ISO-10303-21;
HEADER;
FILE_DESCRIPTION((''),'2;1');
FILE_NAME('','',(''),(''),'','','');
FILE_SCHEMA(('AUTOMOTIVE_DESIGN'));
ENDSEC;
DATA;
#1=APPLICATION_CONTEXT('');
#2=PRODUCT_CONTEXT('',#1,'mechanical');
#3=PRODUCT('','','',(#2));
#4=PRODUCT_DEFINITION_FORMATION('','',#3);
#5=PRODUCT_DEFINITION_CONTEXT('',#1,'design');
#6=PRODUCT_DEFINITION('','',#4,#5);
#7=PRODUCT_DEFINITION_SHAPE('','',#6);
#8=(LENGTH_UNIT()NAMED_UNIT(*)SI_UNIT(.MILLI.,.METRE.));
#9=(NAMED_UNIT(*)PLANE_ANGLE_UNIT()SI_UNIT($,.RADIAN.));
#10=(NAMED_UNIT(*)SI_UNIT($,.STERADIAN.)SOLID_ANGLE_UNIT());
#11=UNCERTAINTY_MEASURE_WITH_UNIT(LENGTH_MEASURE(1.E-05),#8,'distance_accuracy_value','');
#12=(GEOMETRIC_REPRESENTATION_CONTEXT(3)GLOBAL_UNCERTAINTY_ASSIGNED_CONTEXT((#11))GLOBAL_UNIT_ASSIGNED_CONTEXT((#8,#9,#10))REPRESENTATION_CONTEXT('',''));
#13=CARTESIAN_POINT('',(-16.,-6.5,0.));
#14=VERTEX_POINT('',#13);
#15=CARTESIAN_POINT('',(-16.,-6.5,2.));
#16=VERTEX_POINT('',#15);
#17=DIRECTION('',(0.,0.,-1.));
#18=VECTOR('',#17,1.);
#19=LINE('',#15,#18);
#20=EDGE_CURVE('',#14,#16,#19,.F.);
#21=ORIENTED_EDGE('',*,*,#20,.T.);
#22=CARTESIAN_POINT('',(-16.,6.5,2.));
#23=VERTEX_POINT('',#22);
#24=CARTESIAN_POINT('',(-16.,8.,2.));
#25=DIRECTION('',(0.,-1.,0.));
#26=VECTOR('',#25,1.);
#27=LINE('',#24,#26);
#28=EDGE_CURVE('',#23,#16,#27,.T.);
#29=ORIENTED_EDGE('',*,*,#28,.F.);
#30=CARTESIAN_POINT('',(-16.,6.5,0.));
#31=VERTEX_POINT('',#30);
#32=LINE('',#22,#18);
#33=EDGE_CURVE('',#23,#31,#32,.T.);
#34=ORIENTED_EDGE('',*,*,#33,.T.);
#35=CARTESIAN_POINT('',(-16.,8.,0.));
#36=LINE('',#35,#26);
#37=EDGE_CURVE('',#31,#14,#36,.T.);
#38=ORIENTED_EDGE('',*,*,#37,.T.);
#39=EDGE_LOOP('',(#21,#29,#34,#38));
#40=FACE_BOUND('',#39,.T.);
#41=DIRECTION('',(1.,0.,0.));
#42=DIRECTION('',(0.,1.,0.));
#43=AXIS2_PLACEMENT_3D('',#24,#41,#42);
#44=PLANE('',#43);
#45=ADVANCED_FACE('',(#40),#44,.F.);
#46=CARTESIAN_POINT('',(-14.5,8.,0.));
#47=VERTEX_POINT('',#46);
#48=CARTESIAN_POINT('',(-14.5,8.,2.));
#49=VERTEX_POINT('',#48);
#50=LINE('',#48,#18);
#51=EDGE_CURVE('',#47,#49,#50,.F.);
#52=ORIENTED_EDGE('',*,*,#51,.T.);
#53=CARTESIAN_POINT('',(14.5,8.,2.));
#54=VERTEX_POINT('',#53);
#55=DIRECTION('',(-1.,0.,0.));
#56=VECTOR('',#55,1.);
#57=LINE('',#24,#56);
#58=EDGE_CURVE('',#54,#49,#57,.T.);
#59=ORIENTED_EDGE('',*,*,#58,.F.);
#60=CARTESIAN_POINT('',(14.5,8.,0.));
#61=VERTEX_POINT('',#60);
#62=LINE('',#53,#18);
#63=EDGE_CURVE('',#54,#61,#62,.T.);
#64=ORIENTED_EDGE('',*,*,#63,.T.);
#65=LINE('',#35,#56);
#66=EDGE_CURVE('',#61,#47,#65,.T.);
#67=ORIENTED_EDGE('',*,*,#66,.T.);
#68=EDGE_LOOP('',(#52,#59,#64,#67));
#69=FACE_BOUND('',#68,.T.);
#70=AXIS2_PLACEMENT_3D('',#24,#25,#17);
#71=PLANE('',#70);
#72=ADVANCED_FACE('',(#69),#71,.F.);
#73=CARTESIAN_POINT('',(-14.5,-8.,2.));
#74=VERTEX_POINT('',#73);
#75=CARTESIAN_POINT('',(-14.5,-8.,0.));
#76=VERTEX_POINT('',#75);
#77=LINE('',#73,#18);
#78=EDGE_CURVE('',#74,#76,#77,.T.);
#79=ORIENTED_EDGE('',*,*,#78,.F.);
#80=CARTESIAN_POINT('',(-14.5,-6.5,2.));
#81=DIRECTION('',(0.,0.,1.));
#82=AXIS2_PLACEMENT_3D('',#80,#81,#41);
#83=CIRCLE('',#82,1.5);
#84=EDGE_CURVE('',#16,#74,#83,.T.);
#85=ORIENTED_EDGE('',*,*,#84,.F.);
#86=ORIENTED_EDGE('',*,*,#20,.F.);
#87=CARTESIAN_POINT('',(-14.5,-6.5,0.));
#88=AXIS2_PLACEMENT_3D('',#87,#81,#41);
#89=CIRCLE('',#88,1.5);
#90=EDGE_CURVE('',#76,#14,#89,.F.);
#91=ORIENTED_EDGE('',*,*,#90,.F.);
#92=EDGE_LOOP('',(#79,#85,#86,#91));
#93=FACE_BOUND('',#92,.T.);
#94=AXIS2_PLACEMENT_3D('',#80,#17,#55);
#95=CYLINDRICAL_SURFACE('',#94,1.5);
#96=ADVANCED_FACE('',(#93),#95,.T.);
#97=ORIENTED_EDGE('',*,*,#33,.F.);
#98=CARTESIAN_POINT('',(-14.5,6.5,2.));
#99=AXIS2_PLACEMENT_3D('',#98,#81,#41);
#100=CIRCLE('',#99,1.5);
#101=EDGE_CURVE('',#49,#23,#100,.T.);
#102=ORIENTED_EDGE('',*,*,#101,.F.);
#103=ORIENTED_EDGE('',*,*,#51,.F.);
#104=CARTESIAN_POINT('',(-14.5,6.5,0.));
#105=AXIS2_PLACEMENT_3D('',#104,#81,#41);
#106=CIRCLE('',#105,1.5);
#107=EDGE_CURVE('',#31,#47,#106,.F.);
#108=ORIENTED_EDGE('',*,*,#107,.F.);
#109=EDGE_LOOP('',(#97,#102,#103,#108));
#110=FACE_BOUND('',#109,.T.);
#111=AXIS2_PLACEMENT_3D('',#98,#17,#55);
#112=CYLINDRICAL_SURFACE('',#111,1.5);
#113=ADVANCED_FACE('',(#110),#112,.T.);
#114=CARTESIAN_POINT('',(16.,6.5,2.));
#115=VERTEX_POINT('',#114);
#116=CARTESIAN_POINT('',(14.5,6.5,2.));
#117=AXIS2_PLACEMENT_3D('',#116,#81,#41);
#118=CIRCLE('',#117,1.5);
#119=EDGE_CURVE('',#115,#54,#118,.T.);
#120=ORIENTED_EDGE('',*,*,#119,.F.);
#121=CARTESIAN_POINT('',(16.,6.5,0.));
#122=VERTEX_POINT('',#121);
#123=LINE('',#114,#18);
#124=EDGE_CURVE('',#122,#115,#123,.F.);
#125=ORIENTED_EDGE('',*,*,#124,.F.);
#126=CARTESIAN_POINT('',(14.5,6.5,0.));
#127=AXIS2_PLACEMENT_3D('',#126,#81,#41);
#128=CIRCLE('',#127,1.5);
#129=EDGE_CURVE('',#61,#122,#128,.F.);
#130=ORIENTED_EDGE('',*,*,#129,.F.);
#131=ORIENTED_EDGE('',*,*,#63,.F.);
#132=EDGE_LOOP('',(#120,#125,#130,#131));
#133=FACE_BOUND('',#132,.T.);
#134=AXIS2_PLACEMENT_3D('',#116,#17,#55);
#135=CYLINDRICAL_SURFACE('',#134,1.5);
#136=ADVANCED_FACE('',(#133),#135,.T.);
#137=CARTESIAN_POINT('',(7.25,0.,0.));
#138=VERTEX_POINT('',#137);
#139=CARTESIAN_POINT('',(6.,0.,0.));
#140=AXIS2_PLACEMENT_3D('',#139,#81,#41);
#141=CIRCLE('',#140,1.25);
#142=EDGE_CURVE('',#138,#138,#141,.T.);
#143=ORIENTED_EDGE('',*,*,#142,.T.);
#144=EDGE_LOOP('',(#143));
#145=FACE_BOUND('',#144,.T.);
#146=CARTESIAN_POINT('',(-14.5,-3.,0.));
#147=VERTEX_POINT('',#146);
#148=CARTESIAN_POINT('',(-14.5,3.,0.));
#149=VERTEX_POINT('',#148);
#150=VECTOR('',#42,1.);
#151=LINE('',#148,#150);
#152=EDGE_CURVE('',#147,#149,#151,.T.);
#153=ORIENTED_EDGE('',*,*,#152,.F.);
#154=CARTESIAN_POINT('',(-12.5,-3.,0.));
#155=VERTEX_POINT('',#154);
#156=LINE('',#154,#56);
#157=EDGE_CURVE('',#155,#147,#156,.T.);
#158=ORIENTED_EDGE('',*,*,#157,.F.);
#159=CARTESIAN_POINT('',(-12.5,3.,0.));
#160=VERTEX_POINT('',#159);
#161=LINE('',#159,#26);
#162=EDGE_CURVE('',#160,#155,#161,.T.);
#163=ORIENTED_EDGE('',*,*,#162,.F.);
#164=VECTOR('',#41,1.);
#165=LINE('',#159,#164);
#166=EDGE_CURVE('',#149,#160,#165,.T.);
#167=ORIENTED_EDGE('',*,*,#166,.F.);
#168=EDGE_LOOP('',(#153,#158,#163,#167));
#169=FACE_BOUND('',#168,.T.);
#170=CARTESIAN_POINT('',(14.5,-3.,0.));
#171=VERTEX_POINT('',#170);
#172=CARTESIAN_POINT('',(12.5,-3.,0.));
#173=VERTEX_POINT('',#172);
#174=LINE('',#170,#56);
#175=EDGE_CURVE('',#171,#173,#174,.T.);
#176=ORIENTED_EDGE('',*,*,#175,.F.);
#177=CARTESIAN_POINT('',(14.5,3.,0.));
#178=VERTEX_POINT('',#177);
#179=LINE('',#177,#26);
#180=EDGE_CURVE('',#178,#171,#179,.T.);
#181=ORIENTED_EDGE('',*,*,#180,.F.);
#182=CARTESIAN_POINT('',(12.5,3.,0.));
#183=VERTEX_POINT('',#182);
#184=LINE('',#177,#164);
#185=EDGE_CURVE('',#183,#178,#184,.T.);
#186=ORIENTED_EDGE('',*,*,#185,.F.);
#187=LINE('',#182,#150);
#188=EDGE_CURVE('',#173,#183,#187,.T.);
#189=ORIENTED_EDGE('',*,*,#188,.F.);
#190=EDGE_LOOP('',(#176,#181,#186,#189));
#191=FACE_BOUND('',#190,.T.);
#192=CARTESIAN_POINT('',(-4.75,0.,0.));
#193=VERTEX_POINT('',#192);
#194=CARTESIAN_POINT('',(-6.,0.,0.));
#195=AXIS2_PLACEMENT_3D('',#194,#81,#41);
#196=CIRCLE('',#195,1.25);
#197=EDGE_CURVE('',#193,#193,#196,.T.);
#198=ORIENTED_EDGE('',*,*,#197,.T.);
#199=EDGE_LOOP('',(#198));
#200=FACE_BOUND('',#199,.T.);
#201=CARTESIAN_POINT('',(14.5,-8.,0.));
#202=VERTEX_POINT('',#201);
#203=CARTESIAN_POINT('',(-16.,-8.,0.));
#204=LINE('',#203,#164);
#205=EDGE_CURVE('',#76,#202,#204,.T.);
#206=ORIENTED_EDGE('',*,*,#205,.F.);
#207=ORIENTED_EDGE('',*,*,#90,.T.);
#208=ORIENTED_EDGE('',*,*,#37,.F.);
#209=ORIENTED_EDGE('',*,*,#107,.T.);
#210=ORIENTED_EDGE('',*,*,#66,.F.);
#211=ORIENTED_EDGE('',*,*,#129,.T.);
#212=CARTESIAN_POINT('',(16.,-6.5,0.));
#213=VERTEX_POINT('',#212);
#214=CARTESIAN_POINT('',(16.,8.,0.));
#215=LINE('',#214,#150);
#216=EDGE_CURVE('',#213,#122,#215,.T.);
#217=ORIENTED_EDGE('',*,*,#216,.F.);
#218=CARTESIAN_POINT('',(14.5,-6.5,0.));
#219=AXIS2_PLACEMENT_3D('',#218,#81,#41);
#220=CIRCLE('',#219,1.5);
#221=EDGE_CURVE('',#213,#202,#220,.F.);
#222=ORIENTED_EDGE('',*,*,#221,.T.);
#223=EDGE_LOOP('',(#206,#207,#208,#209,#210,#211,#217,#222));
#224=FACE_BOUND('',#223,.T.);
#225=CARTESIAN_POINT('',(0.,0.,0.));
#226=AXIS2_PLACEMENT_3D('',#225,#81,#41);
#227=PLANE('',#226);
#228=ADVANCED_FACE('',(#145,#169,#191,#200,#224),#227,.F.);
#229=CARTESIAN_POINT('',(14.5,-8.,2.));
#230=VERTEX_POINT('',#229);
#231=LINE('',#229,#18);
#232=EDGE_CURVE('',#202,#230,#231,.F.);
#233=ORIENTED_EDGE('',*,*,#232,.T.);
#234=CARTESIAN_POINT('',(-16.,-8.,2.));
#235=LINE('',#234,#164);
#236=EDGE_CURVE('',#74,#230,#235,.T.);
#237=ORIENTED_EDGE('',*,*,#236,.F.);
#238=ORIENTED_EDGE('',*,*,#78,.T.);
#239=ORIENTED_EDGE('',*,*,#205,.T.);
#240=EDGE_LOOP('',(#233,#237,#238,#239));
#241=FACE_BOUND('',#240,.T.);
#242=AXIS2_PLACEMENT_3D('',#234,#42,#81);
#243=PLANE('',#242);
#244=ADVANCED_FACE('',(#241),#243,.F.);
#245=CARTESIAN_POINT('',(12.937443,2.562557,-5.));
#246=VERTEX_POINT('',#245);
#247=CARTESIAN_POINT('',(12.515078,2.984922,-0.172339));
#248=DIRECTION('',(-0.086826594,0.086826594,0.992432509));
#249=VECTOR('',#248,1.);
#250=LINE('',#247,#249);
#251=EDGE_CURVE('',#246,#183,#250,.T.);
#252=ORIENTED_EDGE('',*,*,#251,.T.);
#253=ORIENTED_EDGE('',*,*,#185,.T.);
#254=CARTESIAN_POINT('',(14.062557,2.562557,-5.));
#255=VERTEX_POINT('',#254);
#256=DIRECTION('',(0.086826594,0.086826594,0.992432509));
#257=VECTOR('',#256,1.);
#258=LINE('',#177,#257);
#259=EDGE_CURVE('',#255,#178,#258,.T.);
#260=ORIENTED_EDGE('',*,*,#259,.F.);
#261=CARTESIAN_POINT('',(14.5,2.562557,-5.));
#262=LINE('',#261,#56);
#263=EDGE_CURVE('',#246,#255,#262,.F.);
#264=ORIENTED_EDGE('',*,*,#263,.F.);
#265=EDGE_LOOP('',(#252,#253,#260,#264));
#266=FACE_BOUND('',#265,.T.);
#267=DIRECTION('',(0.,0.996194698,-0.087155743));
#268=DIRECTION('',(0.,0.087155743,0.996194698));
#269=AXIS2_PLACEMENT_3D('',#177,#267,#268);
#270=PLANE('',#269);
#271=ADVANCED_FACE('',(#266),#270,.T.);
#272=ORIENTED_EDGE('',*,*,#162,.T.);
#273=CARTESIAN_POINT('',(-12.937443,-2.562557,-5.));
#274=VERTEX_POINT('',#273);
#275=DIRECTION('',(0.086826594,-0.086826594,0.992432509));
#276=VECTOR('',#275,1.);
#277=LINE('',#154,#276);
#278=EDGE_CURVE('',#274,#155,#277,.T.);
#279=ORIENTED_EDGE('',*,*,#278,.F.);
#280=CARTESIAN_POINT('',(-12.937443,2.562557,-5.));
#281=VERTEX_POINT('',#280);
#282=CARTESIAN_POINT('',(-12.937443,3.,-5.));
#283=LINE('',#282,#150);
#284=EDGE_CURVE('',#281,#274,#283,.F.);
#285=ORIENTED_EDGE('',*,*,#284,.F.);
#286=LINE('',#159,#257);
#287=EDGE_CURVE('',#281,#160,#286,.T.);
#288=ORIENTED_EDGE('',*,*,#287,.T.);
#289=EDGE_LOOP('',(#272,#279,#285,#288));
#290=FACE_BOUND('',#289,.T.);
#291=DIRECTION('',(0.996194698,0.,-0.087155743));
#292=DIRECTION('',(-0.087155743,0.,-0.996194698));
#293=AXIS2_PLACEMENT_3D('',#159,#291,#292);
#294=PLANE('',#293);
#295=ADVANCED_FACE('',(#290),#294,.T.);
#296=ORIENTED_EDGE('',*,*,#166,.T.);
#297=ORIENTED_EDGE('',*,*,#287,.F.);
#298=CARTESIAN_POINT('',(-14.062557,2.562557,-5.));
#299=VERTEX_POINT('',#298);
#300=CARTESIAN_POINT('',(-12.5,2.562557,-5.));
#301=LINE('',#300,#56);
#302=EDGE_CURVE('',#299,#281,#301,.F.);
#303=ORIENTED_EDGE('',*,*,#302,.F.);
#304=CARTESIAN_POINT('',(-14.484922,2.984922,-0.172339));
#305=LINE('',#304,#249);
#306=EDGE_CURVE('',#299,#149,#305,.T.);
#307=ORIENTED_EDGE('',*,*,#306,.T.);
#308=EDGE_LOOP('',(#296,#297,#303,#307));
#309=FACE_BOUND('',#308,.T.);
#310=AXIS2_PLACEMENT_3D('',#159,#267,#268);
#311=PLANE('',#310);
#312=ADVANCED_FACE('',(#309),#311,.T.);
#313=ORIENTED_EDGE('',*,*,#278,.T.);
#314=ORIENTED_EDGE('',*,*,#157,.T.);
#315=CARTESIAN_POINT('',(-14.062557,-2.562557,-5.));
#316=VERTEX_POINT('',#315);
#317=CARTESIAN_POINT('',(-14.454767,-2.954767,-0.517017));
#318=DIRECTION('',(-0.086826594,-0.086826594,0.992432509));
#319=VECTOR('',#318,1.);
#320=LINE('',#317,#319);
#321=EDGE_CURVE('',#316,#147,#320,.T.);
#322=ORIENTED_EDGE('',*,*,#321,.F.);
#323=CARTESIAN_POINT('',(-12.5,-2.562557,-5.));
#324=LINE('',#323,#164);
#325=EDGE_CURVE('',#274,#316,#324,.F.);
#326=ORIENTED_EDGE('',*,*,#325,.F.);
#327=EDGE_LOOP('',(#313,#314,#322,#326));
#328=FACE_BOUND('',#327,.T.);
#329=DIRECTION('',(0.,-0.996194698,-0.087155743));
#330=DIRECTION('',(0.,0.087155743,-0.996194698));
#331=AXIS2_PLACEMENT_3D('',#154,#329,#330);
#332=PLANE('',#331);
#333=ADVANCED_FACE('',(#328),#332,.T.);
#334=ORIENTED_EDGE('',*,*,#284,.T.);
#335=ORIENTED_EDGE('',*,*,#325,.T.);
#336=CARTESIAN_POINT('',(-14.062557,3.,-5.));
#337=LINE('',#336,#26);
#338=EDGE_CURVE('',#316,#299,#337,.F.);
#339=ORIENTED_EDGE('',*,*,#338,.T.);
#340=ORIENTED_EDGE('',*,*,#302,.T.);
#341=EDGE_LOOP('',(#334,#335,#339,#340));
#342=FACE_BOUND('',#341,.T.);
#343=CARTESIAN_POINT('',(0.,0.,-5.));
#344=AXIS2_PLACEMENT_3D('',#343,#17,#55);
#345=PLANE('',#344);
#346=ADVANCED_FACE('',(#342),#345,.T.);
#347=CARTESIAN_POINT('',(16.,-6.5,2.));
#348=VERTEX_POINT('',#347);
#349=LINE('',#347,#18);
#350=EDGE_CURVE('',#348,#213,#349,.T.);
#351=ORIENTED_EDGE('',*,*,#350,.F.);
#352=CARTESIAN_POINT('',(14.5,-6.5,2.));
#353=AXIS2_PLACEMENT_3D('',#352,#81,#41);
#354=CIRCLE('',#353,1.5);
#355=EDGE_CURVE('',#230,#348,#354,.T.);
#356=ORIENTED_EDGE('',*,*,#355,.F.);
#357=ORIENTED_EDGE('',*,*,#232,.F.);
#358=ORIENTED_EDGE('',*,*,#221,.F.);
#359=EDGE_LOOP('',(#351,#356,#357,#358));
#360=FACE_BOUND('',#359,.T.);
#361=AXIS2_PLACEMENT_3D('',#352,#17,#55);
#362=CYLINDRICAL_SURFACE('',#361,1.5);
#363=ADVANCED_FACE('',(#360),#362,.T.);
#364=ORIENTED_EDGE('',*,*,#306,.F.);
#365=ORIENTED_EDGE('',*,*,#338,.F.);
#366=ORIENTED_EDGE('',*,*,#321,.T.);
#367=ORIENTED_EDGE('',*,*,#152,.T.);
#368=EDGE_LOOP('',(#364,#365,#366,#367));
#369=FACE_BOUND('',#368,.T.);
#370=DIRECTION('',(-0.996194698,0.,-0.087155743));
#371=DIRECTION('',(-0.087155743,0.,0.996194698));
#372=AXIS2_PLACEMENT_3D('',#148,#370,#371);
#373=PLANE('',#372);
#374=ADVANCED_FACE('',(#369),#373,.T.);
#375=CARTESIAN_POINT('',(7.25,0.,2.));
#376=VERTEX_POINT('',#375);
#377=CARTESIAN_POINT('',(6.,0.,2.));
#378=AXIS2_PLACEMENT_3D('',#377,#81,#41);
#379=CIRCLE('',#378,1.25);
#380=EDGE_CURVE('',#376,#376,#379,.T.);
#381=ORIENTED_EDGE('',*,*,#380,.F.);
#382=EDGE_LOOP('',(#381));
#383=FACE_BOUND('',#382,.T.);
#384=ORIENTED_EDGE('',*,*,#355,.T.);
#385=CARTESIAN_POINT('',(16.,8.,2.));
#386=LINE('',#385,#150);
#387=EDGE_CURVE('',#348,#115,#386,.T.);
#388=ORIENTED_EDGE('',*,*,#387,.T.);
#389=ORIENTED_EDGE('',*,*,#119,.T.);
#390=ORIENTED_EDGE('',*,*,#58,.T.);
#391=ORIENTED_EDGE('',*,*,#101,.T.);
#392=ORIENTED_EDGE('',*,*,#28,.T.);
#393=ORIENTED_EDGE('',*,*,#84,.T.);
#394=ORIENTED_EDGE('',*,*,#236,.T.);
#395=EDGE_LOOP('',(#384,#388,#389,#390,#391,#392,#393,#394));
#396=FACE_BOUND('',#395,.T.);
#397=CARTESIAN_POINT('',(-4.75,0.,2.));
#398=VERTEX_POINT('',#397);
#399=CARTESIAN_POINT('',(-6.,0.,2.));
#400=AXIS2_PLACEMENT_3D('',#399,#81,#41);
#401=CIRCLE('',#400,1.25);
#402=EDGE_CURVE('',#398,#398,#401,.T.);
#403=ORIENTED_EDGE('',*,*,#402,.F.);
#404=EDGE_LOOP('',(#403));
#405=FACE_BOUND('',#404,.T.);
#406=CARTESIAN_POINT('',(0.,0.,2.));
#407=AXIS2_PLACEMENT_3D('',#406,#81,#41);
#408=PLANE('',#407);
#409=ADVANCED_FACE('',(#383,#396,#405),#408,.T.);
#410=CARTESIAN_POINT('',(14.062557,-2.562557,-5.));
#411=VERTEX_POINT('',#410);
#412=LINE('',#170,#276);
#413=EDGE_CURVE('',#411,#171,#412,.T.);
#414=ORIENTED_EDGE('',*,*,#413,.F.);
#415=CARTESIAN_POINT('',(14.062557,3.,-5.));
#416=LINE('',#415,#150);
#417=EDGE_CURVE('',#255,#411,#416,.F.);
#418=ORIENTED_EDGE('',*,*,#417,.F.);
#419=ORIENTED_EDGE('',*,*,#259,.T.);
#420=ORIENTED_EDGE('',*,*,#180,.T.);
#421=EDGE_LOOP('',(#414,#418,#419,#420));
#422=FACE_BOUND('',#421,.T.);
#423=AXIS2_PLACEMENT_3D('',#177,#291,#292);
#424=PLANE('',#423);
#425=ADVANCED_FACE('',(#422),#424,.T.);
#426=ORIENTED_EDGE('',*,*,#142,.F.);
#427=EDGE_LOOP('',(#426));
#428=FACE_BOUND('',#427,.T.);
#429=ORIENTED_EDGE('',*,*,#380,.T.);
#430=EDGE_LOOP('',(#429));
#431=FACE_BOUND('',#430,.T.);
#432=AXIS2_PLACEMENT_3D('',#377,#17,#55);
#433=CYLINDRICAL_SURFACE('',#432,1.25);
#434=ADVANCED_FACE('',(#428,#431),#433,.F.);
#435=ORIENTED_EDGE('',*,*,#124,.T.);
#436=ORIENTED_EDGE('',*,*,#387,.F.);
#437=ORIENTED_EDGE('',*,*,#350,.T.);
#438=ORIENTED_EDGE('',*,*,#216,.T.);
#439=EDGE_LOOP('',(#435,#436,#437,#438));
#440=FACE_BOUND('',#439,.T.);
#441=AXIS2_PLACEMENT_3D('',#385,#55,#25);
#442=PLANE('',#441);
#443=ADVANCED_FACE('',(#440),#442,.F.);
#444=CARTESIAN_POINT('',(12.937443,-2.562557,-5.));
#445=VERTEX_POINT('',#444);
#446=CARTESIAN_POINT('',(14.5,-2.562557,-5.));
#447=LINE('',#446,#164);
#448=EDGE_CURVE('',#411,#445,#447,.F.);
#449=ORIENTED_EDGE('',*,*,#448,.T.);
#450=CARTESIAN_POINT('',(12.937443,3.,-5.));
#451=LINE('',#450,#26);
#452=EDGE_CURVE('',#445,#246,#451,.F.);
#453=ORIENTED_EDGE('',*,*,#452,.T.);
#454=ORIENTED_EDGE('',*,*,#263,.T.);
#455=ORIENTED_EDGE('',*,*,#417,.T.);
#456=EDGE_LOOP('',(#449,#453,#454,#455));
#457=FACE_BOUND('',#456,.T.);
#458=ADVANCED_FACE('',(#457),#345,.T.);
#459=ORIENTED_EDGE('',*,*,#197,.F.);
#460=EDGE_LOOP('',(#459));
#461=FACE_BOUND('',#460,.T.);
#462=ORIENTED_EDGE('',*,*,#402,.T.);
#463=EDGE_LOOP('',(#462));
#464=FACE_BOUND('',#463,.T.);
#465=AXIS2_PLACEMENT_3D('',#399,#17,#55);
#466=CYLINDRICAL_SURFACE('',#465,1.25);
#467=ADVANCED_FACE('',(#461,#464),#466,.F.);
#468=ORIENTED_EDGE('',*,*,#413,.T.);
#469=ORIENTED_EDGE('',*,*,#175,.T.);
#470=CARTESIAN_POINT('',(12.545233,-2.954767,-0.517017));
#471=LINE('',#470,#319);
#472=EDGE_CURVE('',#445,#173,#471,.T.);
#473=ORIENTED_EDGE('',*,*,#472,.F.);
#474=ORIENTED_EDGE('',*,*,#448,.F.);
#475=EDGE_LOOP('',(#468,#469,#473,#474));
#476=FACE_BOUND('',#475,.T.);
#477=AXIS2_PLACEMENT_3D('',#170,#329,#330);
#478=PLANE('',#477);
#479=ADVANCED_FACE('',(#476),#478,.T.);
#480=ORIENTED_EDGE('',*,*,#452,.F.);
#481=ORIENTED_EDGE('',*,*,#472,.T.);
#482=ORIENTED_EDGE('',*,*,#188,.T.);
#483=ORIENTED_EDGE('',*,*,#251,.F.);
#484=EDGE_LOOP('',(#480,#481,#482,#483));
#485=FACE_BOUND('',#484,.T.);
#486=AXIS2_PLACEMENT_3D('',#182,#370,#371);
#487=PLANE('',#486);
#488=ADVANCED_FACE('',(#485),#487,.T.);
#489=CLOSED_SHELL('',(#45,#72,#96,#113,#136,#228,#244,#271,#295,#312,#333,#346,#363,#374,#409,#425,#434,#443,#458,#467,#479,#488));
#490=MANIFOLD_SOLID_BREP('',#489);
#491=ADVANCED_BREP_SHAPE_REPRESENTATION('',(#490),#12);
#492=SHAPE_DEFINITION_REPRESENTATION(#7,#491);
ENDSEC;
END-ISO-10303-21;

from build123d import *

# Parameters (mm, degrees)
SKETCH1_W           = 32
SKETCH1_H           = 16
SKETCH1_R           = 1.25
BOSS_EXTRUDE1_DEPTH = 2
SKETCH2_W           = 2
SKETCH2_H           = 6
BOSS_EXTRUDE2_DEPTH = 5
BOSS_EXTRUDE2_TAPER = 5
FILLET1_R           = 1.5


with BuildPart() as part:
    # Sketch1 → Boss-Extrude1 (new body)
    with BuildSketch(Plane.XY):
        Rectangle(SKETCH1_W, SKETCH1_H)
        with Locations((6, 0)):
            Circle(SKETCH1_R, mode=Mode.SUBTRACT)
        with Locations((-6, 0)):
            Circle(SKETCH1_R, mode=Mode.SUBTRACT)
    extrude(amount=BOSS_EXTRUDE1_DEPTH)

    # Sketch2 → Boss-Extrude2 (add)
    with BuildSketch(Plane(origin=(0, 0, 0), x_dir=(-1, 0, 0), z_dir=(0, 0, -1))):
        with Locations((-13.5, 0)):
            Rectangle(SKETCH2_W, SKETCH2_H)
        with Locations((13.5, 0)):
            Rectangle(SKETCH2_W, SKETCH2_H)
    extrude(amount=BOSS_EXTRUDE2_DEPTH, taper=BOSS_EXTRUDE2_TAPER)

    # Fillet1
    fillet1_edges = [part.edges().sort_by_distance(p)[0] for p in [
        (-16, 8, 1),
        (16, 8, 1),
        (16, -8, 1),
        (-16, -8, 1),
    ]]
    fillet(fillet1_edges, radius=FILLET1_R)


solid = part.part
